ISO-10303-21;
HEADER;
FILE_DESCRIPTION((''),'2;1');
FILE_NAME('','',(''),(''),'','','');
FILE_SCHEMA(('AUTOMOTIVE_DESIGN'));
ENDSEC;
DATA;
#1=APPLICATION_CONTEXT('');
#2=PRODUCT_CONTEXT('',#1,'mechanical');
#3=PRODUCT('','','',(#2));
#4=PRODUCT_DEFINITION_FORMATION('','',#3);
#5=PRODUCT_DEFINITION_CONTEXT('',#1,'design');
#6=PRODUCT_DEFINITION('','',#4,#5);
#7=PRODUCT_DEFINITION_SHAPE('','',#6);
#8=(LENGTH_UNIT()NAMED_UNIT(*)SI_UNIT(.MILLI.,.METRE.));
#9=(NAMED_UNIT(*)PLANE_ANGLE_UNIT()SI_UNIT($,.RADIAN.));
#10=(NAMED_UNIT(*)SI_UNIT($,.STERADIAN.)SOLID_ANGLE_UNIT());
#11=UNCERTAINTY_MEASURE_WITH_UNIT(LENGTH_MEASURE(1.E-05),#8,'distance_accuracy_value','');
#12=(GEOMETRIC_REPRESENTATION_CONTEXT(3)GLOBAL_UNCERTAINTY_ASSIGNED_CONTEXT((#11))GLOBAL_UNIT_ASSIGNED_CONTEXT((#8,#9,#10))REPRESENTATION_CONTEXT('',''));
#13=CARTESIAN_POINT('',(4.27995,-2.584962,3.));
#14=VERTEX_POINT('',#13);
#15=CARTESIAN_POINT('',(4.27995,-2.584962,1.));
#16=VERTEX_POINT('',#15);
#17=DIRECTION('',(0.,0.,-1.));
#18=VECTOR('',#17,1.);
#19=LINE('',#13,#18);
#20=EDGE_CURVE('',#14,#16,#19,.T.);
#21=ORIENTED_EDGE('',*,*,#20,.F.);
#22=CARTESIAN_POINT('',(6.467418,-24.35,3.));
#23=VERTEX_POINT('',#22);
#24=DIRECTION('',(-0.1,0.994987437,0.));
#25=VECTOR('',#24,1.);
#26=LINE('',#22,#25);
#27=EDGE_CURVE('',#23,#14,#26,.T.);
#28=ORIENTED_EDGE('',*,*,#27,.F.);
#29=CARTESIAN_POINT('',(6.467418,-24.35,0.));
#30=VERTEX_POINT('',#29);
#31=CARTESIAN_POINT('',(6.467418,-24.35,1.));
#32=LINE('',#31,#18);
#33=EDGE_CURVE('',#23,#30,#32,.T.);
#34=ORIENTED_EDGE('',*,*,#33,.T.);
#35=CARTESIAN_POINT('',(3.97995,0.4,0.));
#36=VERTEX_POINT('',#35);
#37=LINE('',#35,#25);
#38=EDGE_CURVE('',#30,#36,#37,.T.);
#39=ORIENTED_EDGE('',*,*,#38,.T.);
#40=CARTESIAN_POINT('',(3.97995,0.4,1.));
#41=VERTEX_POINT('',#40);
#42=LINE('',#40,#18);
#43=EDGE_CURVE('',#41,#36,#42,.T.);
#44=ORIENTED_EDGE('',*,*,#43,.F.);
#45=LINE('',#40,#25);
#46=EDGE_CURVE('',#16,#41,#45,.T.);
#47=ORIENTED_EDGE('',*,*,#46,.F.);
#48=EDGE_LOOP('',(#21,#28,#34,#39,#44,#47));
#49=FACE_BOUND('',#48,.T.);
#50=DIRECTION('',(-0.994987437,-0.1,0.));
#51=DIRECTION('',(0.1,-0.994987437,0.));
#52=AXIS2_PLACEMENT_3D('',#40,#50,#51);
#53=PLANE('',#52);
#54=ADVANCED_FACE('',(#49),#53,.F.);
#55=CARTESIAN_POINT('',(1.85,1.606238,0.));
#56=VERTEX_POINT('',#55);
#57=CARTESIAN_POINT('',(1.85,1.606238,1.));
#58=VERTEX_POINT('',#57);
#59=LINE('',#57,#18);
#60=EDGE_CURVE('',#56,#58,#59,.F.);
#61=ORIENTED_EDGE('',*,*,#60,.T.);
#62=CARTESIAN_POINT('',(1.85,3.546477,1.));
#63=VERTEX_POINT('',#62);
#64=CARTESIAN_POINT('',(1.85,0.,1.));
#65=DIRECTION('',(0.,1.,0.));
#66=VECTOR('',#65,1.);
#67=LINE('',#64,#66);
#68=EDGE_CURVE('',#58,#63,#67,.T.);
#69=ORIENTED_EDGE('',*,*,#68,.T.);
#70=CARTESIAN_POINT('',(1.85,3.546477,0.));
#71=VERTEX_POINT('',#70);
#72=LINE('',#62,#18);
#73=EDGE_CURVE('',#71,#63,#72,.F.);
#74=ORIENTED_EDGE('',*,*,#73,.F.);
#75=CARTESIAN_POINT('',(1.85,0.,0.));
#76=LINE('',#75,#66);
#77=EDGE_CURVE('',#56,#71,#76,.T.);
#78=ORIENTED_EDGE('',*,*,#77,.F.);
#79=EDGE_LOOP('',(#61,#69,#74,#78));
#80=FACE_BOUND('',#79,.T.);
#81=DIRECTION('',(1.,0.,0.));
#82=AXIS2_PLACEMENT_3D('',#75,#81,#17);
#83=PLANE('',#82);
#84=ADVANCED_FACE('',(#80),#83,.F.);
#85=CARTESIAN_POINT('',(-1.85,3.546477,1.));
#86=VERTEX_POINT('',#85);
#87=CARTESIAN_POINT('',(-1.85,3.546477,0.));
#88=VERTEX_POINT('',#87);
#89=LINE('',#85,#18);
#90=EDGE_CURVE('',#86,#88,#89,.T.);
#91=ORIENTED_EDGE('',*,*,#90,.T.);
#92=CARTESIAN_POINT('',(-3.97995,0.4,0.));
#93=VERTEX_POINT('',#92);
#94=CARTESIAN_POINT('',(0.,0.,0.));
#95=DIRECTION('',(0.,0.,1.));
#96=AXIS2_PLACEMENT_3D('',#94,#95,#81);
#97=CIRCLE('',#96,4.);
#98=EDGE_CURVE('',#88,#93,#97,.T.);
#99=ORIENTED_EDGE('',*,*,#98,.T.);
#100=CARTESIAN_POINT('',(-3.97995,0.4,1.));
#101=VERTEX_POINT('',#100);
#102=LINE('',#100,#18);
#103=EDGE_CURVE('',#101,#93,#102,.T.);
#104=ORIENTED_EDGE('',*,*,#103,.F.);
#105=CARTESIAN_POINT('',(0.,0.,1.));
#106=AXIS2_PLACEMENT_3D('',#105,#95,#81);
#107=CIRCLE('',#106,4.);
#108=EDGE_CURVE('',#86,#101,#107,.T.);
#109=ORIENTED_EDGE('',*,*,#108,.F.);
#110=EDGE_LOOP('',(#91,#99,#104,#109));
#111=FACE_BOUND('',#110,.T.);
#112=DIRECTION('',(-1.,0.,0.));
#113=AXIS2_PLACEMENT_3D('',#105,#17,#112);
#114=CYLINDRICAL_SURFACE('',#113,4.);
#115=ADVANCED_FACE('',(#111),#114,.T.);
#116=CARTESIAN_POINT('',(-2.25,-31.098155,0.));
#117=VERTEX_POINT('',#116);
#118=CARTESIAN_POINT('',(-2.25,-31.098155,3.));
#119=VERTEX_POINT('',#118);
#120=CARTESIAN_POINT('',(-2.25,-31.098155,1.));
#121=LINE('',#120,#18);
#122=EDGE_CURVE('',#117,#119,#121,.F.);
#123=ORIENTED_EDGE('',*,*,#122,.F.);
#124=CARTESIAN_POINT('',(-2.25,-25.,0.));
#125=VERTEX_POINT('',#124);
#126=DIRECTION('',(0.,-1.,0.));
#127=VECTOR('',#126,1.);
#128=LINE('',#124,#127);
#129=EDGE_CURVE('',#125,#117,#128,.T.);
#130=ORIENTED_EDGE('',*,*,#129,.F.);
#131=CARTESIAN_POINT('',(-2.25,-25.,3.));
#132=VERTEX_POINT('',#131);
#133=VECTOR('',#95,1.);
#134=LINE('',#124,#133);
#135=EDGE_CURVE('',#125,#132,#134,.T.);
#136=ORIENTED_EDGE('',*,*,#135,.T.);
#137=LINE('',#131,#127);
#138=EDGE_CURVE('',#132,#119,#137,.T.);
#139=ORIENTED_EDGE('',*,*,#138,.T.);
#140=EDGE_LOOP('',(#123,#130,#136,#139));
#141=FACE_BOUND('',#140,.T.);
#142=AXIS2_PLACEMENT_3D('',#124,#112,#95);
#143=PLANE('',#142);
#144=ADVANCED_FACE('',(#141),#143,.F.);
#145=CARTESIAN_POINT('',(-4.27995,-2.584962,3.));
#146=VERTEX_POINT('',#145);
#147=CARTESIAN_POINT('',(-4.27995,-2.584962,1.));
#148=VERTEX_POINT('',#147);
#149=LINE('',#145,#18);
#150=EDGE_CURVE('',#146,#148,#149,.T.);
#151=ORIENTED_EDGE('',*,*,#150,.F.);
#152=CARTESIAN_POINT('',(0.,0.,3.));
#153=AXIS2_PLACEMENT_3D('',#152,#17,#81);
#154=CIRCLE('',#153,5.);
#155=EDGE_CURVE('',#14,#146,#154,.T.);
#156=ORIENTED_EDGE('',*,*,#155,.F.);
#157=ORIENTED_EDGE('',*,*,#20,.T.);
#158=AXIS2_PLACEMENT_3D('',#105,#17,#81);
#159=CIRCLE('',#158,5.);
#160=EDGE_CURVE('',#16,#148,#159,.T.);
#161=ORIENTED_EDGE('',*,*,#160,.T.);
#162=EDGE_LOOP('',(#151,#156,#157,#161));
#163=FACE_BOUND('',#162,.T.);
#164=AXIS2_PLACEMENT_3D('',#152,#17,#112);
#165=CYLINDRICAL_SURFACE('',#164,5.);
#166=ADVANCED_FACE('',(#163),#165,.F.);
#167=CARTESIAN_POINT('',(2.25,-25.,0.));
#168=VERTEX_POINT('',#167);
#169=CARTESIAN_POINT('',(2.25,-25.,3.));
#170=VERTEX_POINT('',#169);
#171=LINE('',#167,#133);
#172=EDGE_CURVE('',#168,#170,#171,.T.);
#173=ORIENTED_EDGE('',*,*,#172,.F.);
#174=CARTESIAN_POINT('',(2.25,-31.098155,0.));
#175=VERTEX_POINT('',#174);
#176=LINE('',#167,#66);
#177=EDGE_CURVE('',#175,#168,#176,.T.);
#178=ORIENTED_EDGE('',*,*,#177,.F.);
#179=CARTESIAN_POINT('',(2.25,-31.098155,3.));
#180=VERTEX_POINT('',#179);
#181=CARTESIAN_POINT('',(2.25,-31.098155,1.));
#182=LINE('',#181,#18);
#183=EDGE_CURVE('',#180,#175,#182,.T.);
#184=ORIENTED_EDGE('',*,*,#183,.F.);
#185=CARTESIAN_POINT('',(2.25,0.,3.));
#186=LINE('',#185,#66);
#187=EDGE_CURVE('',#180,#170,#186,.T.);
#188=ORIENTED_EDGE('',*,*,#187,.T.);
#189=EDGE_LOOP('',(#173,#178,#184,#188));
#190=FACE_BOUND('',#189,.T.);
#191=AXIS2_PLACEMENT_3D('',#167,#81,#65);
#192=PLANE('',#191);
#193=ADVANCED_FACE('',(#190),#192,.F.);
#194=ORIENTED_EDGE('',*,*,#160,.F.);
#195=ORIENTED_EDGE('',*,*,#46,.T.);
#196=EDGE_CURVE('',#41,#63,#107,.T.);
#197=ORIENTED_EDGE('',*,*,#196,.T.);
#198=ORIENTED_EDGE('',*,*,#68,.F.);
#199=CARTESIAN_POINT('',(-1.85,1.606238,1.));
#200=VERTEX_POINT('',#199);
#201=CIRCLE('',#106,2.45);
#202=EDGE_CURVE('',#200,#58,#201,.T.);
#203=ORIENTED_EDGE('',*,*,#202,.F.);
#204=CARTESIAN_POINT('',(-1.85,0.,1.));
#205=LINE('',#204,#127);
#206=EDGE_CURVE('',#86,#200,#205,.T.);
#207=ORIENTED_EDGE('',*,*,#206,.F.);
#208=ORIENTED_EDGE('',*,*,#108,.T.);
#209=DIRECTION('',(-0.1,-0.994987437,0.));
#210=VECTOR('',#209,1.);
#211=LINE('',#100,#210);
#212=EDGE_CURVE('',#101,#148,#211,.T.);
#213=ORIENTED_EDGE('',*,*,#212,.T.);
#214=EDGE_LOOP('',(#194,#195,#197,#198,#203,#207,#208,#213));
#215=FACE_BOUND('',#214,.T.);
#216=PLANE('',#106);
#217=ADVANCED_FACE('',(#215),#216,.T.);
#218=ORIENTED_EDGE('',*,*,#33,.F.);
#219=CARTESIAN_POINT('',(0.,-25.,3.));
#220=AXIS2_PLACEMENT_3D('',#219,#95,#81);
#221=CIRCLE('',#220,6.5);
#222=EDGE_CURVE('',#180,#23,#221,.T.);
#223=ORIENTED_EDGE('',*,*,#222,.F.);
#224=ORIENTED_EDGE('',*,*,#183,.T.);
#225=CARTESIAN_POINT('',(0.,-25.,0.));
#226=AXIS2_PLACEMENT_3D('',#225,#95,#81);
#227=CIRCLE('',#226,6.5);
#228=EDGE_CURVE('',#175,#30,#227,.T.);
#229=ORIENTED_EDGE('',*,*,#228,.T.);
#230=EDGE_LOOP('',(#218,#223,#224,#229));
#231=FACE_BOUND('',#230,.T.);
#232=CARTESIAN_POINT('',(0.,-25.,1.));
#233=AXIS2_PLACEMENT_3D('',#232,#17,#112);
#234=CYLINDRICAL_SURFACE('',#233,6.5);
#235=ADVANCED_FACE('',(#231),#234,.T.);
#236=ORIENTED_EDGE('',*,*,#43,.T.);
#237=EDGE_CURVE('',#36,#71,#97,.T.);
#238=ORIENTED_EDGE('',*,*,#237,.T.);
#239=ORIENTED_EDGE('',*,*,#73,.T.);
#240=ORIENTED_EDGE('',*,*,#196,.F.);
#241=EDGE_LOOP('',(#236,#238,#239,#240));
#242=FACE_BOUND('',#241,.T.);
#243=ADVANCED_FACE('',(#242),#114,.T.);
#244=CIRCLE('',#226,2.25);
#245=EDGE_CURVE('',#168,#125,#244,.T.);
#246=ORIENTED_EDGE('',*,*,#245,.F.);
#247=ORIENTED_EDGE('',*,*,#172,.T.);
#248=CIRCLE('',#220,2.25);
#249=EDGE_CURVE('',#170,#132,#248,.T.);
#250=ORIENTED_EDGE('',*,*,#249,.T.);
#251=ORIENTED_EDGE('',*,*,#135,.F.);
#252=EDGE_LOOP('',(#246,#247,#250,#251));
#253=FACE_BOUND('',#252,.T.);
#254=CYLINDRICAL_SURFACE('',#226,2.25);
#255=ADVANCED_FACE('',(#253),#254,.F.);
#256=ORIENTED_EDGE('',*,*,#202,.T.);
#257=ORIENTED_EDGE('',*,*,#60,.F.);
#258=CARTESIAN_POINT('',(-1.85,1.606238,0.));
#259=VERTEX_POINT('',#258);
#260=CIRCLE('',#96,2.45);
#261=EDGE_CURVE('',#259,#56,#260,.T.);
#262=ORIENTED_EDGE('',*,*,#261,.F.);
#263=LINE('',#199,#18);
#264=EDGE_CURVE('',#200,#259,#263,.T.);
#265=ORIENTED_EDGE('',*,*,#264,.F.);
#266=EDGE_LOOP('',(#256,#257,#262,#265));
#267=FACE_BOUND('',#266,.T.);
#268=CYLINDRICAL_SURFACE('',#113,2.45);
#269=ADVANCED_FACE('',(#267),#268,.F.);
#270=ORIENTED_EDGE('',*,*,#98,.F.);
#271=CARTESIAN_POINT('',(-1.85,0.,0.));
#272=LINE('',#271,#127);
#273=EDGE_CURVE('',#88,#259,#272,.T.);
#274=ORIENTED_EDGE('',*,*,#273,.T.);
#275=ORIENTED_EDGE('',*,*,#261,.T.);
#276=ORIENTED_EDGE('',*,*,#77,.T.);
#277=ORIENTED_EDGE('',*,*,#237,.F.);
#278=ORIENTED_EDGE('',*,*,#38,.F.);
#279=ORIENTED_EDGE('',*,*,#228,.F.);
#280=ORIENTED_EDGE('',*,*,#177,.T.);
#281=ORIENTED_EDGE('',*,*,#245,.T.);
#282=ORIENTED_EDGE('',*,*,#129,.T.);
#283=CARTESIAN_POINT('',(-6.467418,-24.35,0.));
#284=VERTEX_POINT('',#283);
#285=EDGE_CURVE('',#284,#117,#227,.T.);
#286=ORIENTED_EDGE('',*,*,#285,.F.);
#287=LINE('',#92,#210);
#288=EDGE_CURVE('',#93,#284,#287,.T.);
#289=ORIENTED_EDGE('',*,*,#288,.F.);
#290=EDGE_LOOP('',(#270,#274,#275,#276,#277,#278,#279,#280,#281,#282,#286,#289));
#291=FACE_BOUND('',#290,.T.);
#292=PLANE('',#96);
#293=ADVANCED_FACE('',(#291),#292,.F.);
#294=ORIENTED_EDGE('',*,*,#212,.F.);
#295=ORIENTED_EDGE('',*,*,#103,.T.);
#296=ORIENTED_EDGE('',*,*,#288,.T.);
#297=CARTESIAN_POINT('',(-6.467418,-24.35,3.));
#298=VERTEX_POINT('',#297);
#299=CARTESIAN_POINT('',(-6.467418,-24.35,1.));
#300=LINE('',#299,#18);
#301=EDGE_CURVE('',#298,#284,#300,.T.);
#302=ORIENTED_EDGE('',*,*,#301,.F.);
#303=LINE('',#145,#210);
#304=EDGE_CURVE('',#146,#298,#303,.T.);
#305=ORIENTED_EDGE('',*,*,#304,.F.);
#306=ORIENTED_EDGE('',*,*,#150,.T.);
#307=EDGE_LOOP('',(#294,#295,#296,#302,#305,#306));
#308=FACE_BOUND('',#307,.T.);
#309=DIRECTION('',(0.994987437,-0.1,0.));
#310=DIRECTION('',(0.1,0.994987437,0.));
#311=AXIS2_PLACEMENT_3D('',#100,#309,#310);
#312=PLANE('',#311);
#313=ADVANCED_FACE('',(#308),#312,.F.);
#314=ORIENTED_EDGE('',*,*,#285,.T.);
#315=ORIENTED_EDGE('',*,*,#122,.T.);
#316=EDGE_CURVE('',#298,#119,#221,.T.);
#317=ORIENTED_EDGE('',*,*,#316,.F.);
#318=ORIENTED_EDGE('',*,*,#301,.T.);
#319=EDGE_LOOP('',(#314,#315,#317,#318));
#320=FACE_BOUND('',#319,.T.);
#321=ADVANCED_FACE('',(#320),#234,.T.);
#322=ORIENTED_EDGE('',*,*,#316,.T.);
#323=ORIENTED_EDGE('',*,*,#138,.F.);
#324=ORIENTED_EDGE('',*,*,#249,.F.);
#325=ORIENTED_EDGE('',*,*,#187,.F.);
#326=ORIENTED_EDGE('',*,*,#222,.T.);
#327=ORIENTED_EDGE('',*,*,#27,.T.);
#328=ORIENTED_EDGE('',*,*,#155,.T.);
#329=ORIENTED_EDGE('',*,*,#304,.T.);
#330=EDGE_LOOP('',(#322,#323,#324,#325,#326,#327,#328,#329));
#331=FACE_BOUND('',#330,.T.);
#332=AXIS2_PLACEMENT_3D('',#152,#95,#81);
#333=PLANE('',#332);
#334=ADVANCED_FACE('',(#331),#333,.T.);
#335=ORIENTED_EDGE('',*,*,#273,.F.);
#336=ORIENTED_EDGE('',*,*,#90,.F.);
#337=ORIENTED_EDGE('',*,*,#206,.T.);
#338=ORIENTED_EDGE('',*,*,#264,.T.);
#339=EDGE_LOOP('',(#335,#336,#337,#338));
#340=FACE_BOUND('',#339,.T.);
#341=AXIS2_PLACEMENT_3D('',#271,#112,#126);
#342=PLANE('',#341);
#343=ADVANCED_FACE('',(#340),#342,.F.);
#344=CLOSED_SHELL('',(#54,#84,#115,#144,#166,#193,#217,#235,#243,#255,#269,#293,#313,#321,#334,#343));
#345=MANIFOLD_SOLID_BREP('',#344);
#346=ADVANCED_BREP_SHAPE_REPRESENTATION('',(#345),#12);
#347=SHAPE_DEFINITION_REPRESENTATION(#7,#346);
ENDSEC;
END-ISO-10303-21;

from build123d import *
from build123d.topology import SkipClean

# Parameters (mm, degrees)
SKETCH3_R           = 2.45
BOSS_EXTRUDE1_DEPTH = 1
SKETCH4_W           = 3.7
SKETCH4_H           = 4
CUT_EXTRUDE1_DEPTH  = 1
BOSS_EXTRUDE2_DEPTH = 2
CUT_EXTRUDE2_DEPTH  = 33.30325061


with BuildPart() as part:
    # Sketch3 → Boss-Extrude1 (new body)
    with BuildSketch(Plane.XY):
        with BuildLine():
            Line((3.979949748, 0.4), (6.467418341, -24.35))
            ThreePointArc((6.467418341, -24.35), (0, -31.5), (-6.467418341, -24.35))
            Line((-6.467418341, -24.35), (-3.979949748, 0.4))
            ThreePointArc((-3.979949748, 0.4), (0, 4), (3.979949748, 0.4))
        make_face()
        Circle(SKETCH3_R, mode=Mode.SUBTRACT)
    extrude(amount=BOSS_EXTRUDE1_DEPTH)

    # Sketch4 → Cut-Extrude1 (cut)
    with BuildSketch(Plane.XY.offset(1)):
        with Locations((0, 2)):
            Rectangle(SKETCH4_W, SKETCH4_H)
    extrude(amount=-CUT_EXTRUDE1_DEPTH, mode=Mode.SUBTRACT)

    # Sketch5 → Boss-Extrude2 (add)
    with SkipClean():  # the faces are left unmerged after this step: merging them gives an invalid solid
        with BuildSketch(Plane.XY.offset(1)):
            with BuildLine():
                Line((-4.279949748, -2.584962311), (-6.467418341, -24.35))
                ThreePointArc((-6.467418341, -24.35), (0, -31.5), (6.467418341, -24.35))
                Line((6.467418341, -24.35), (4.279949748, -2.584962311))
                ThreePointArc((4.279949748, -2.584962311), (0, -5), (-4.279949748, -2.584962311))
            make_face()
        extrude(amount=BOSS_EXTRUDE2_DEPTH)

    # Sketch6 → Cut-Extrude2 (cut, through all)
    with SkipClean():  # the faces are left unmerged after this step: merging them gives an invalid solid
        with BuildSketch(Plane.XY.offset(3)):
            with BuildLine():
                Line((2.25, -25), (2.25, -31.5))
                ThreePointArc((2.25, -31.5), (0, -33.75), (-2.25, -31.5))
                Line((-2.25, -31.5), (-2.25, -25))
                ThreePointArc((-2.25, -25), (0, -22.75), (2.25, -25))
            make_face()
        extrude(amount=-CUT_EXTRUDE2_DEPTH, mode=Mode.SUBTRACT)


solid = part.part
